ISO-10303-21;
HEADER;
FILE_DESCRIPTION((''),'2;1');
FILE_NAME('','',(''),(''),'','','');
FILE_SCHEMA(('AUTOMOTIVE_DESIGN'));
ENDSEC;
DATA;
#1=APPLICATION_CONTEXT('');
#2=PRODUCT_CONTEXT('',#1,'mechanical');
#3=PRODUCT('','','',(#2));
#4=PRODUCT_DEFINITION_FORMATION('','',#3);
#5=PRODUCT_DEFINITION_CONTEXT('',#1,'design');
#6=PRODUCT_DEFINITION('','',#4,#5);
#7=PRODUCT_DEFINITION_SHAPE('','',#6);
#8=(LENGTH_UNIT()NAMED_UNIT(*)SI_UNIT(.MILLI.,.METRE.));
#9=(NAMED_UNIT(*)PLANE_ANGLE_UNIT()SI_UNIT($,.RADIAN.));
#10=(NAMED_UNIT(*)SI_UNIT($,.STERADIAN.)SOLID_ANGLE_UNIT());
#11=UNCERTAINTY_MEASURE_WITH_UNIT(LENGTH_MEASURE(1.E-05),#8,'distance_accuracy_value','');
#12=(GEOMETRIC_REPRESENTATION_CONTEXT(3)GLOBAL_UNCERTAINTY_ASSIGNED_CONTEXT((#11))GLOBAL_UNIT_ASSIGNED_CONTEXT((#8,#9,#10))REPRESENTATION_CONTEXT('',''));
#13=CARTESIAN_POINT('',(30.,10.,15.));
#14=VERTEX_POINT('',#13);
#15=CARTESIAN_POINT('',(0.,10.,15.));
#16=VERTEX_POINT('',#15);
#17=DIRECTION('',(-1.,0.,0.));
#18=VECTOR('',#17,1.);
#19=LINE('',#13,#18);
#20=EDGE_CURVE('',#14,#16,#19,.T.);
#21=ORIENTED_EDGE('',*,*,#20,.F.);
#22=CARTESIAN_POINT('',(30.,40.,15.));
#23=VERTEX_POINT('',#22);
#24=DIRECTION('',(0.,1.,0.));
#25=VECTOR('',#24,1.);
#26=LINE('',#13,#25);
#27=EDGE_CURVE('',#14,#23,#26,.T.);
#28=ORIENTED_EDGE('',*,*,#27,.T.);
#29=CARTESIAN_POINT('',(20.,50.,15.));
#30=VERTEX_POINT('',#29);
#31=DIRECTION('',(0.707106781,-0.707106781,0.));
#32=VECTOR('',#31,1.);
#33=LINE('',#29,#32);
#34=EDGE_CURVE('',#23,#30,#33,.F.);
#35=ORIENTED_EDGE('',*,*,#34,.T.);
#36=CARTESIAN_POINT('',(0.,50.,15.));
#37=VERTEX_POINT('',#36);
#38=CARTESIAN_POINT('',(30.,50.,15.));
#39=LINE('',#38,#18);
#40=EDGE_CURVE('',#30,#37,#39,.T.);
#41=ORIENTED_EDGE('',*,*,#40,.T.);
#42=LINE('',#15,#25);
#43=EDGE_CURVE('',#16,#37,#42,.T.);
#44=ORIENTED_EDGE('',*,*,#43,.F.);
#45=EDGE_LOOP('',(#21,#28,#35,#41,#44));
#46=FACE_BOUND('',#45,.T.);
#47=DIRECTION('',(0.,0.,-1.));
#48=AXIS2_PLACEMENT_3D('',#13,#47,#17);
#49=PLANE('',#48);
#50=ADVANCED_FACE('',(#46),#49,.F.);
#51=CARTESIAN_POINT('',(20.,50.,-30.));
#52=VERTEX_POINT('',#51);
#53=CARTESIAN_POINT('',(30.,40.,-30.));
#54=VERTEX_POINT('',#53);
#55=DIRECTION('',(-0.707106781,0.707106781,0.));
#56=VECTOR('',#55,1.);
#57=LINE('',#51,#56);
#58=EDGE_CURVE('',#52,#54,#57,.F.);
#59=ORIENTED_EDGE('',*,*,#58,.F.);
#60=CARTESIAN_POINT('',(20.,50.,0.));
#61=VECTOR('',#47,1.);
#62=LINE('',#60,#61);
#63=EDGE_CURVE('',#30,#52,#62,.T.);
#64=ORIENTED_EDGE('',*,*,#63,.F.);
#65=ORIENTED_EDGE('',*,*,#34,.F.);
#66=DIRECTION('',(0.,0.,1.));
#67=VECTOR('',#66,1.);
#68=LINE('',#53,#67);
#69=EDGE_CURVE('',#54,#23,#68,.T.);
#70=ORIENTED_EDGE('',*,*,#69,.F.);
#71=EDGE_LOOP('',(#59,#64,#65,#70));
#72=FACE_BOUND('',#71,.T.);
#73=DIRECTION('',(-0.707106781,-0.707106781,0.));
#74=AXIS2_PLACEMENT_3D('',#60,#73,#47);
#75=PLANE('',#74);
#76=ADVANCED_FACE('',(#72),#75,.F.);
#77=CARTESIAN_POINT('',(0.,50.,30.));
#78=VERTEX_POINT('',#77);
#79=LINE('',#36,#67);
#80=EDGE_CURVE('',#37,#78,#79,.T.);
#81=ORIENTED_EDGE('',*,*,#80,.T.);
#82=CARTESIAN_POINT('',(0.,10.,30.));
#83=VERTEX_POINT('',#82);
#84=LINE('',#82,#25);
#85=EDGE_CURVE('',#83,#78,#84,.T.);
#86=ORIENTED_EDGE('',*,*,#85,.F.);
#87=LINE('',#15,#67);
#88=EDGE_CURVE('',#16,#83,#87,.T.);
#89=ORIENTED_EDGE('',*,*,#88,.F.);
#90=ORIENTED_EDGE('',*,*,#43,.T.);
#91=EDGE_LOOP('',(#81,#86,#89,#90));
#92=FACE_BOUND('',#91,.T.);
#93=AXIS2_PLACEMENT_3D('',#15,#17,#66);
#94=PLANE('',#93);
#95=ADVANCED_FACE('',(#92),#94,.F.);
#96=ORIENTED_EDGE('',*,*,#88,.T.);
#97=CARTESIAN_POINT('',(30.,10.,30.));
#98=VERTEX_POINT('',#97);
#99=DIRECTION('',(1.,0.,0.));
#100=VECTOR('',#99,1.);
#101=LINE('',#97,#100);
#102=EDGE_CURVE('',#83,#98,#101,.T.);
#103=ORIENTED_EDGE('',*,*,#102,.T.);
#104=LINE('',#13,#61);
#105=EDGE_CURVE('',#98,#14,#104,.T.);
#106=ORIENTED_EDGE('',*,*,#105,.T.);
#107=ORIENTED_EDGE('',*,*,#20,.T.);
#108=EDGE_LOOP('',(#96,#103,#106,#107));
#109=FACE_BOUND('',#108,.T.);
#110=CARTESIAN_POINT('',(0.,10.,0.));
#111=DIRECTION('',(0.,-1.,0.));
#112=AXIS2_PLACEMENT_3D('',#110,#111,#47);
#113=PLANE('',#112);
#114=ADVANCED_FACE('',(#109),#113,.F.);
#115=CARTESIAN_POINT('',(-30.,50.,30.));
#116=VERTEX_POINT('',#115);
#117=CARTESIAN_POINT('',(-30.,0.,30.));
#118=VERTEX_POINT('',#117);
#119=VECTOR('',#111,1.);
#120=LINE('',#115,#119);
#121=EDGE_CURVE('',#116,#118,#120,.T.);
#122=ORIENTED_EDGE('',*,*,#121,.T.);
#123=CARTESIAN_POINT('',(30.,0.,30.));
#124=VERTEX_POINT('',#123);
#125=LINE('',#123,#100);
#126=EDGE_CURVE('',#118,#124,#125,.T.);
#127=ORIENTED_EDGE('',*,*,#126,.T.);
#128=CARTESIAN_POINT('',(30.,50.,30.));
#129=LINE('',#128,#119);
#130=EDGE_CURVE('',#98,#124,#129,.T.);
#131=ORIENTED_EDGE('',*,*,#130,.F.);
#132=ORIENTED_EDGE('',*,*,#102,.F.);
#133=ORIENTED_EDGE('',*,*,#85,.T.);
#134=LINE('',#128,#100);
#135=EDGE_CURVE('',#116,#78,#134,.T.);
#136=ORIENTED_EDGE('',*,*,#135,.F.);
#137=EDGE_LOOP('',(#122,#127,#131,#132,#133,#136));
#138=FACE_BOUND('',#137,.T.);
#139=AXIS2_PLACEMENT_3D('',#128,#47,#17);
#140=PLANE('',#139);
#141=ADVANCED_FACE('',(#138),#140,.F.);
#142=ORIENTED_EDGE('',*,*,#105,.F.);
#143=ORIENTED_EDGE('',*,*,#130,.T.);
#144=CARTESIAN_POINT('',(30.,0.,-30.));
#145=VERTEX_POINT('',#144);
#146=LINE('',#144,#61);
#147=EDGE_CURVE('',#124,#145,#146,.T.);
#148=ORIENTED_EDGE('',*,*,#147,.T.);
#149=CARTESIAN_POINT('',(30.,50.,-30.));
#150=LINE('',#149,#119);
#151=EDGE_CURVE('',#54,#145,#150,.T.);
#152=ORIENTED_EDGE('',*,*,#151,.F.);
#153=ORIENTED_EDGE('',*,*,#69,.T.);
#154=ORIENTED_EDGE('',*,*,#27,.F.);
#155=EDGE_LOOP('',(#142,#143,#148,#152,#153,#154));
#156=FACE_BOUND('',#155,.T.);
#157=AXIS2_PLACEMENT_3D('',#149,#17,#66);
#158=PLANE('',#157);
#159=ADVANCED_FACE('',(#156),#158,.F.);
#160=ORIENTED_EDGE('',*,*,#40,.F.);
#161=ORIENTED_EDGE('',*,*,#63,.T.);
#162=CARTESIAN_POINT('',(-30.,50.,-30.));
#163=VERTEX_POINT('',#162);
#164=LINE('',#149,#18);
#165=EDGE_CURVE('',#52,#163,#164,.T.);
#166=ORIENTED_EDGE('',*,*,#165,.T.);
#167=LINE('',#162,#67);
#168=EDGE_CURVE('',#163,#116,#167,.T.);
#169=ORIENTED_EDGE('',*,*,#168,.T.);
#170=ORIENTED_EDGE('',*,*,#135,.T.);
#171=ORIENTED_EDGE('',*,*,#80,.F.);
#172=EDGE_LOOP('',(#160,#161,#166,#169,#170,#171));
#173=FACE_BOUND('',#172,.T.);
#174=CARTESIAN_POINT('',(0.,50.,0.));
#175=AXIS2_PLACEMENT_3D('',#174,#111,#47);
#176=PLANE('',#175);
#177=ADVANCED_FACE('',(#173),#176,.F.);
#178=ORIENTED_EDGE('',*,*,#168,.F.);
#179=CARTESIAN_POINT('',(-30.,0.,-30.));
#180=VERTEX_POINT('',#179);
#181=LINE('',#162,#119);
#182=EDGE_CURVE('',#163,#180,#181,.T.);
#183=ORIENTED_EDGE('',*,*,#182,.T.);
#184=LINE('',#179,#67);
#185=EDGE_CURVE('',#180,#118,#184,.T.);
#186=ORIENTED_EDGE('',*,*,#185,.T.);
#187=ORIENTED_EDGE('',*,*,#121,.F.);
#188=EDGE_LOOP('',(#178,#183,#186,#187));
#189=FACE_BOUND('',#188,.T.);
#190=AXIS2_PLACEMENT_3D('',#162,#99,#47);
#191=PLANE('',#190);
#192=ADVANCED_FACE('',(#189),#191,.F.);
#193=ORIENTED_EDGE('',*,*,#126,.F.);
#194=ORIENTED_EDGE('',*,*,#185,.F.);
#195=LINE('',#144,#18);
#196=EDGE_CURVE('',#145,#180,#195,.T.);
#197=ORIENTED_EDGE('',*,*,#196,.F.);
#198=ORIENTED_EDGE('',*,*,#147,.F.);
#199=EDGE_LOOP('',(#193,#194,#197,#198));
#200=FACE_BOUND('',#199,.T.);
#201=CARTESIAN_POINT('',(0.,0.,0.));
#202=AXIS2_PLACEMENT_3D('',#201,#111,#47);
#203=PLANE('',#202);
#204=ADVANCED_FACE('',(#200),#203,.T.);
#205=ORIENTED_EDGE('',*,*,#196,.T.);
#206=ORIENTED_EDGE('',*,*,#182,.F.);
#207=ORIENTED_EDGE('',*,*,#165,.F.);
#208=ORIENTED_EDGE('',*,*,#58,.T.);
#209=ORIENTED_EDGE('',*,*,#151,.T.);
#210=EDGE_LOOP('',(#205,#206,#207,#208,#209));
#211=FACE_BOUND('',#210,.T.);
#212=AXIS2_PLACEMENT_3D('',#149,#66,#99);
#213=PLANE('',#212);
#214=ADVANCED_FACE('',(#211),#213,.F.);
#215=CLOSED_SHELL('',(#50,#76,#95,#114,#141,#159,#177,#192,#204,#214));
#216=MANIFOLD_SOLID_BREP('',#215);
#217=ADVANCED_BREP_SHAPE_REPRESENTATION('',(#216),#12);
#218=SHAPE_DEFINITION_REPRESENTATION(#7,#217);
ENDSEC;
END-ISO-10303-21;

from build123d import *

# Parameters (mm, degrees)
SKETCH1_W      = 60
SKETCH1_H      = 60
EXTRUDE1_DEPTH = 50
SKETCH2_W      = 30
SKETCH2_H      = 15
EXTRUDE2_DEPTH = 40
CHAMFER1_SIZE  = 10


with BuildPart() as part:
    # Sketch1 → Extrude1 (new body)
    with BuildSketch(Plane(origin=(0, 0, 0), x_dir=(1, 0, 0), z_dir=(0, 1, 0))):
        Rectangle(SKETCH1_W, SKETCH1_H)
    extrude(amount=EXTRUDE1_DEPTH)

    # Sketch2 → Extrude2 (cut)
    with BuildSketch(Plane(origin=(0, 50, 0), x_dir=(1, 0, 0), z_dir=(0, 1, 0))):
        with Locations((15, -22.5)):
            Rectangle(SKETCH2_W, SKETCH2_H)
    extrude(amount=-EXTRUDE2_DEPTH, mode=Mode.SUBTRACT)

    # Chamfer1
    chamfer1_edges = [part.edges().sort_by_distance(p)[0] for p in [
        (30, 50, -7.5),
    ]]
    chamfer(chamfer1_edges, length=CHAMFER1_SIZE)


solid = part.part
